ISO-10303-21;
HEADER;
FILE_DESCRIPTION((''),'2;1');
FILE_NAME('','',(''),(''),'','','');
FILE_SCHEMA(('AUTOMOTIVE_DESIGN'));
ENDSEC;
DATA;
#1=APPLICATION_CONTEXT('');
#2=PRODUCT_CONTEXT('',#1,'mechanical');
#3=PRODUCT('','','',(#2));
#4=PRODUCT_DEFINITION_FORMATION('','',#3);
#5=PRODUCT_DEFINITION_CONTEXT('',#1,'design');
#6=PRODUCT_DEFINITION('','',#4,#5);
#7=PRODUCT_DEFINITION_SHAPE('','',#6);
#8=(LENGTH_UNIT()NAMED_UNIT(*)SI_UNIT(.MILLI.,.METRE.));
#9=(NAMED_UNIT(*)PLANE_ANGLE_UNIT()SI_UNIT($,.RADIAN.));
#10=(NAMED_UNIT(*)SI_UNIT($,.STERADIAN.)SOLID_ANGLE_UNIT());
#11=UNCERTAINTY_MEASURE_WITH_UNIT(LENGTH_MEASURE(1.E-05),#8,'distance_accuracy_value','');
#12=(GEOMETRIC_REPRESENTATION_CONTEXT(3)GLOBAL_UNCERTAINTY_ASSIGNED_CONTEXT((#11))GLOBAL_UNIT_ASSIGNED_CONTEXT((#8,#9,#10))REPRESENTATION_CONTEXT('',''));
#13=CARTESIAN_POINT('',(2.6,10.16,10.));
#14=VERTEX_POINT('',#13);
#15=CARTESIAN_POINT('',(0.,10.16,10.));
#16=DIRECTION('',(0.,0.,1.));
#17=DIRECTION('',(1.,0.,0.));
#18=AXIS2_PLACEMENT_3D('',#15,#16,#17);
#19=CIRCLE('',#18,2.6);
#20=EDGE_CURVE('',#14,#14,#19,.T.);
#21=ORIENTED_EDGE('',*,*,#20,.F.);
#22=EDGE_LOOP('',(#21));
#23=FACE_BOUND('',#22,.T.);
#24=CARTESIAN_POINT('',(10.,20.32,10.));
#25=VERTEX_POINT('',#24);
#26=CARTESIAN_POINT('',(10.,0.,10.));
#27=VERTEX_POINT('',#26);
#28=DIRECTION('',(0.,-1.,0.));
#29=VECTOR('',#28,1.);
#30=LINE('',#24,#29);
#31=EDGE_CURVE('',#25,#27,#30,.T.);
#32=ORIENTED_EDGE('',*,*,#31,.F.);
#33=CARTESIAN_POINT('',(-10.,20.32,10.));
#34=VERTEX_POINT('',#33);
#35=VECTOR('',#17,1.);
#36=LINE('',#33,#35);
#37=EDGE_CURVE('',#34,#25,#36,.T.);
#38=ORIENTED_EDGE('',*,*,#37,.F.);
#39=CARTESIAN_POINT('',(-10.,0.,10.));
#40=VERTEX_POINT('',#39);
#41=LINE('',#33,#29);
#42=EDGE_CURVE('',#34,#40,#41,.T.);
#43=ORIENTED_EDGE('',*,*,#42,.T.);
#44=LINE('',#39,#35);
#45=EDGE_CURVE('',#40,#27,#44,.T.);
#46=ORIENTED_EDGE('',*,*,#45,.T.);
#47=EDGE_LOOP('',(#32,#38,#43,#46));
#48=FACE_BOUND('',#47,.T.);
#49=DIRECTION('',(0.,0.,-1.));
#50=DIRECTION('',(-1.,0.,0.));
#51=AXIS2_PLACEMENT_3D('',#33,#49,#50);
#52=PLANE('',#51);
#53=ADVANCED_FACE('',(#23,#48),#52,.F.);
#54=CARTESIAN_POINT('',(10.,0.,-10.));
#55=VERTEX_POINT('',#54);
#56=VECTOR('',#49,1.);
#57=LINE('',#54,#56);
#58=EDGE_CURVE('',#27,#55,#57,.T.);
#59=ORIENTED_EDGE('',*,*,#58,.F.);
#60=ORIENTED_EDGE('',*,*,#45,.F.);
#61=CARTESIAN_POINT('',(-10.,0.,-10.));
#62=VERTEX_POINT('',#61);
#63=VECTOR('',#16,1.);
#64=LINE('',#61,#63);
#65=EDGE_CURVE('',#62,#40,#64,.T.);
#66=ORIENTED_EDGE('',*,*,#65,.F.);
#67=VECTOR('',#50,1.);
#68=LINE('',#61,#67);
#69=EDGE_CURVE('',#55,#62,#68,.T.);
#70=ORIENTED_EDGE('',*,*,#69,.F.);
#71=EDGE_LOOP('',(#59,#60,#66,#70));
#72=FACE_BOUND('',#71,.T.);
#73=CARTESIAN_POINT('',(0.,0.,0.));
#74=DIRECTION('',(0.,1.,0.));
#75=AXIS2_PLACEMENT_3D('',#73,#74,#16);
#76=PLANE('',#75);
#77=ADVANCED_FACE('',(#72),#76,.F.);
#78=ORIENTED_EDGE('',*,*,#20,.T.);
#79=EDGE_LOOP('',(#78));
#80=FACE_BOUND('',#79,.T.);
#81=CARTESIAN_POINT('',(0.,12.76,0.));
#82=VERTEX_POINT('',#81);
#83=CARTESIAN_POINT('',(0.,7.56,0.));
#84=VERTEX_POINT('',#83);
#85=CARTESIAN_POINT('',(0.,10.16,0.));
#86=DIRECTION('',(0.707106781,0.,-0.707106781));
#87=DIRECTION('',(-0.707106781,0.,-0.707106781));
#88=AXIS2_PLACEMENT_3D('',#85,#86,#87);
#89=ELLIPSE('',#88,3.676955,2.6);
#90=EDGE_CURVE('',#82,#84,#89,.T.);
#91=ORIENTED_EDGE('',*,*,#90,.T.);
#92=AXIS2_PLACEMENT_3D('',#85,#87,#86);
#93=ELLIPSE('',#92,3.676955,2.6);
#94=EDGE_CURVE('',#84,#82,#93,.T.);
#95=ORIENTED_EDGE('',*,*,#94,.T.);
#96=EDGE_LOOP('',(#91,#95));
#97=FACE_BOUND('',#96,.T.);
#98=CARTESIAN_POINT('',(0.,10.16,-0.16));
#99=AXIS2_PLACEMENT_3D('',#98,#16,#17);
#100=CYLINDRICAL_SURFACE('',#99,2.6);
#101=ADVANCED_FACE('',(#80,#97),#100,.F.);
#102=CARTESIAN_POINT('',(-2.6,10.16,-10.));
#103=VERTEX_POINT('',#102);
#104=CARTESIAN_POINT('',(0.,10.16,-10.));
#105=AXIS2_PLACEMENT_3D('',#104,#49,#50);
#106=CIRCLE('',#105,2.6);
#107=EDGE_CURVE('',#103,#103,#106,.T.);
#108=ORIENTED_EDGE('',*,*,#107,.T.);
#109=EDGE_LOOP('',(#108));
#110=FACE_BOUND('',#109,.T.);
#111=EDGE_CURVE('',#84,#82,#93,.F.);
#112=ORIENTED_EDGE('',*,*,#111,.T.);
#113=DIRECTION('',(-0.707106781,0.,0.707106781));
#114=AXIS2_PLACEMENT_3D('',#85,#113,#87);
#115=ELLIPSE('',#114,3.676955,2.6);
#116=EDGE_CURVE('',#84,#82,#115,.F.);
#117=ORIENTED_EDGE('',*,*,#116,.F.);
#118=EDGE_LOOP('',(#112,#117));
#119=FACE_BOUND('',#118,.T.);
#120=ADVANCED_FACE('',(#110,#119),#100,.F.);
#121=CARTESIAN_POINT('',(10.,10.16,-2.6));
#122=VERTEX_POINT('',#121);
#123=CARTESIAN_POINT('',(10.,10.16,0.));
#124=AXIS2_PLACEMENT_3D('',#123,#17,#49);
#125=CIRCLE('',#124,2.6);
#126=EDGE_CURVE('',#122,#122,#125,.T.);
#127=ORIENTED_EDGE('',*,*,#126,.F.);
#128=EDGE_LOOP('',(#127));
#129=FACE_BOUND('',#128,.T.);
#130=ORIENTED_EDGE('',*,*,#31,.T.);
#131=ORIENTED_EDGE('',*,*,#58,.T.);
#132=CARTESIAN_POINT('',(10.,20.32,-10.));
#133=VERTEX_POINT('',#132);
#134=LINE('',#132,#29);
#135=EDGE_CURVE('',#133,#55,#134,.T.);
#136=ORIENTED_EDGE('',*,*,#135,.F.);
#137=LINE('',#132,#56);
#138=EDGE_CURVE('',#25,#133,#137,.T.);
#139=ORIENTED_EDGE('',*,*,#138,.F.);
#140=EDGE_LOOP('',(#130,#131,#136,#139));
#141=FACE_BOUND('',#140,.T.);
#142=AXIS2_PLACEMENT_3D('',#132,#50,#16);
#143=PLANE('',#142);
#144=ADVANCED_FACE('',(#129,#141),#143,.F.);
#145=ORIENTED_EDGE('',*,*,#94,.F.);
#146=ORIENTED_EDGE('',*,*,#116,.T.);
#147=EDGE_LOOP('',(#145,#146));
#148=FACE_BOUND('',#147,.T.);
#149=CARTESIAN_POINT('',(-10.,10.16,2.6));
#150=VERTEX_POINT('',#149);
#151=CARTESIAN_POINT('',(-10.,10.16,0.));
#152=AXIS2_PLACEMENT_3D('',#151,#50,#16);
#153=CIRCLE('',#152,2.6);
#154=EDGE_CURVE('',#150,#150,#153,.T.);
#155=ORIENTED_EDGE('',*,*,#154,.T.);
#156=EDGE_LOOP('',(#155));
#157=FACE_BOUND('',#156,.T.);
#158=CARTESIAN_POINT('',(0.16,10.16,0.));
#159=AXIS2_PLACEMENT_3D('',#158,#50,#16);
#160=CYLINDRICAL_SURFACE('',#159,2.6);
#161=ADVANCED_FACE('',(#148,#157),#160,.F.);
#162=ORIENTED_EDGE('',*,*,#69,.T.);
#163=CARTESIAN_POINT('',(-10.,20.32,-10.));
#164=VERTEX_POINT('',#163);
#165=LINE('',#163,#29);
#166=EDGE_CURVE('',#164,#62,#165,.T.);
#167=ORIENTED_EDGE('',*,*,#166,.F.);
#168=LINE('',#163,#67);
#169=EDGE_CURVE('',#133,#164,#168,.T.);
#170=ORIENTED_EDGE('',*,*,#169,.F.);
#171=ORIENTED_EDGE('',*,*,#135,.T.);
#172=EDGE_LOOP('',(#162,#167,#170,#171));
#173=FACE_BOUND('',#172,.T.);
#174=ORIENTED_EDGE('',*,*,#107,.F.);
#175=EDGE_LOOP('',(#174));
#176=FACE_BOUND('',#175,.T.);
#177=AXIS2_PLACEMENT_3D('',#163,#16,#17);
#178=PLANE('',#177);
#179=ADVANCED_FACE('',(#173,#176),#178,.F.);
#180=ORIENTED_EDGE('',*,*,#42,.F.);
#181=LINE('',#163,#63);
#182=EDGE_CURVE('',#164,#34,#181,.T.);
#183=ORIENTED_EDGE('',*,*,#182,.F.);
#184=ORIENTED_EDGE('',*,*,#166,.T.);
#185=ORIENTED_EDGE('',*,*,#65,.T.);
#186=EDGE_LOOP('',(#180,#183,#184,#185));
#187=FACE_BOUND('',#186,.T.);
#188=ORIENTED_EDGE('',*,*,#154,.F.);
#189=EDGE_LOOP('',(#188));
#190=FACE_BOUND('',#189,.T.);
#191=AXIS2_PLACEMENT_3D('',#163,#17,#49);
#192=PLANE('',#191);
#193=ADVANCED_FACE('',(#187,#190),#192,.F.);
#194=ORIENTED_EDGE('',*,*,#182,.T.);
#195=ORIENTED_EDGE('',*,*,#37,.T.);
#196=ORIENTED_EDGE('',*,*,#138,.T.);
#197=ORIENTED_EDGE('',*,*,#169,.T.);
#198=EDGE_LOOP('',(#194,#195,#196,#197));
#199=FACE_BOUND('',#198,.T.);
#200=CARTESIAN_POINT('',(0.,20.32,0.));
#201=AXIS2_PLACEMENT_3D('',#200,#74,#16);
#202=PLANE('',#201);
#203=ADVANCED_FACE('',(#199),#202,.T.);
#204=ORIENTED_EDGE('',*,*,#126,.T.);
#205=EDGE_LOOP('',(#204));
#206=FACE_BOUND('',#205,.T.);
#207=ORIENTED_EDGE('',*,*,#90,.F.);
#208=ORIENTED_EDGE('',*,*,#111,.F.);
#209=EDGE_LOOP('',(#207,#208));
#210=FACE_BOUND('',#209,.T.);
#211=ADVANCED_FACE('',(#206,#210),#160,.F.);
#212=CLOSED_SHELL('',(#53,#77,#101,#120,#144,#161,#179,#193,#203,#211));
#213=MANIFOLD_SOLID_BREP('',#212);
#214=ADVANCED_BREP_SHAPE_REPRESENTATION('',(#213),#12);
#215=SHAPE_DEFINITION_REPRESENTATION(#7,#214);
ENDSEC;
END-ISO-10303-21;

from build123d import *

# Parameters (mm, degrees)
BOSS_EXTRUDE1_DEPTH = 20.32
SKETCH3_R           = 2.6
CUT_EXTRUDE1_DEPTH  = 10.16
CIRPATTERN1_COUNT   = 4


with BuildPart() as part:
    # Sketch2 → Boss-Extrude1 (new body)
    with BuildSketch(Plane(origin=(0, 0, 0), x_dir=(1, 0, 0), z_dir=(0, 1, 0))):
        Polygon((-9.999999999999998, 10), (10.000000000000002, 10), (10.000000000000005, -10), (-9.999999999999995, -10), align=None)
    extrude(amount=BOSS_EXTRUDE1_DEPTH)

    # Sketch3 → Cut-Extrude1 (cut)
    with BuildSketch(Plane.XY.offset(10)):
        with Locations((8.7e-16, 10.16)):
            Circle(SKETCH3_R)
    cut_extrude1 = extrude(amount=-CUT_EXTRUDE1_DEPTH, mode=Mode.SUBTRACT)

    # CirPattern1: Cut-Extrude1 ×4 about axis
    cirpattern1_axis = Axis((1.73e-15, 20.32, 0), (-9e-17, -1, 0))
    for i in range(1, CIRPATTERN1_COUNT):
        add(cut_extrude1.rotate(cirpattern1_axis, i * 360 / CIRPATTERN1_COUNT), mode=Mode.SUBTRACT)


solid = part.part
